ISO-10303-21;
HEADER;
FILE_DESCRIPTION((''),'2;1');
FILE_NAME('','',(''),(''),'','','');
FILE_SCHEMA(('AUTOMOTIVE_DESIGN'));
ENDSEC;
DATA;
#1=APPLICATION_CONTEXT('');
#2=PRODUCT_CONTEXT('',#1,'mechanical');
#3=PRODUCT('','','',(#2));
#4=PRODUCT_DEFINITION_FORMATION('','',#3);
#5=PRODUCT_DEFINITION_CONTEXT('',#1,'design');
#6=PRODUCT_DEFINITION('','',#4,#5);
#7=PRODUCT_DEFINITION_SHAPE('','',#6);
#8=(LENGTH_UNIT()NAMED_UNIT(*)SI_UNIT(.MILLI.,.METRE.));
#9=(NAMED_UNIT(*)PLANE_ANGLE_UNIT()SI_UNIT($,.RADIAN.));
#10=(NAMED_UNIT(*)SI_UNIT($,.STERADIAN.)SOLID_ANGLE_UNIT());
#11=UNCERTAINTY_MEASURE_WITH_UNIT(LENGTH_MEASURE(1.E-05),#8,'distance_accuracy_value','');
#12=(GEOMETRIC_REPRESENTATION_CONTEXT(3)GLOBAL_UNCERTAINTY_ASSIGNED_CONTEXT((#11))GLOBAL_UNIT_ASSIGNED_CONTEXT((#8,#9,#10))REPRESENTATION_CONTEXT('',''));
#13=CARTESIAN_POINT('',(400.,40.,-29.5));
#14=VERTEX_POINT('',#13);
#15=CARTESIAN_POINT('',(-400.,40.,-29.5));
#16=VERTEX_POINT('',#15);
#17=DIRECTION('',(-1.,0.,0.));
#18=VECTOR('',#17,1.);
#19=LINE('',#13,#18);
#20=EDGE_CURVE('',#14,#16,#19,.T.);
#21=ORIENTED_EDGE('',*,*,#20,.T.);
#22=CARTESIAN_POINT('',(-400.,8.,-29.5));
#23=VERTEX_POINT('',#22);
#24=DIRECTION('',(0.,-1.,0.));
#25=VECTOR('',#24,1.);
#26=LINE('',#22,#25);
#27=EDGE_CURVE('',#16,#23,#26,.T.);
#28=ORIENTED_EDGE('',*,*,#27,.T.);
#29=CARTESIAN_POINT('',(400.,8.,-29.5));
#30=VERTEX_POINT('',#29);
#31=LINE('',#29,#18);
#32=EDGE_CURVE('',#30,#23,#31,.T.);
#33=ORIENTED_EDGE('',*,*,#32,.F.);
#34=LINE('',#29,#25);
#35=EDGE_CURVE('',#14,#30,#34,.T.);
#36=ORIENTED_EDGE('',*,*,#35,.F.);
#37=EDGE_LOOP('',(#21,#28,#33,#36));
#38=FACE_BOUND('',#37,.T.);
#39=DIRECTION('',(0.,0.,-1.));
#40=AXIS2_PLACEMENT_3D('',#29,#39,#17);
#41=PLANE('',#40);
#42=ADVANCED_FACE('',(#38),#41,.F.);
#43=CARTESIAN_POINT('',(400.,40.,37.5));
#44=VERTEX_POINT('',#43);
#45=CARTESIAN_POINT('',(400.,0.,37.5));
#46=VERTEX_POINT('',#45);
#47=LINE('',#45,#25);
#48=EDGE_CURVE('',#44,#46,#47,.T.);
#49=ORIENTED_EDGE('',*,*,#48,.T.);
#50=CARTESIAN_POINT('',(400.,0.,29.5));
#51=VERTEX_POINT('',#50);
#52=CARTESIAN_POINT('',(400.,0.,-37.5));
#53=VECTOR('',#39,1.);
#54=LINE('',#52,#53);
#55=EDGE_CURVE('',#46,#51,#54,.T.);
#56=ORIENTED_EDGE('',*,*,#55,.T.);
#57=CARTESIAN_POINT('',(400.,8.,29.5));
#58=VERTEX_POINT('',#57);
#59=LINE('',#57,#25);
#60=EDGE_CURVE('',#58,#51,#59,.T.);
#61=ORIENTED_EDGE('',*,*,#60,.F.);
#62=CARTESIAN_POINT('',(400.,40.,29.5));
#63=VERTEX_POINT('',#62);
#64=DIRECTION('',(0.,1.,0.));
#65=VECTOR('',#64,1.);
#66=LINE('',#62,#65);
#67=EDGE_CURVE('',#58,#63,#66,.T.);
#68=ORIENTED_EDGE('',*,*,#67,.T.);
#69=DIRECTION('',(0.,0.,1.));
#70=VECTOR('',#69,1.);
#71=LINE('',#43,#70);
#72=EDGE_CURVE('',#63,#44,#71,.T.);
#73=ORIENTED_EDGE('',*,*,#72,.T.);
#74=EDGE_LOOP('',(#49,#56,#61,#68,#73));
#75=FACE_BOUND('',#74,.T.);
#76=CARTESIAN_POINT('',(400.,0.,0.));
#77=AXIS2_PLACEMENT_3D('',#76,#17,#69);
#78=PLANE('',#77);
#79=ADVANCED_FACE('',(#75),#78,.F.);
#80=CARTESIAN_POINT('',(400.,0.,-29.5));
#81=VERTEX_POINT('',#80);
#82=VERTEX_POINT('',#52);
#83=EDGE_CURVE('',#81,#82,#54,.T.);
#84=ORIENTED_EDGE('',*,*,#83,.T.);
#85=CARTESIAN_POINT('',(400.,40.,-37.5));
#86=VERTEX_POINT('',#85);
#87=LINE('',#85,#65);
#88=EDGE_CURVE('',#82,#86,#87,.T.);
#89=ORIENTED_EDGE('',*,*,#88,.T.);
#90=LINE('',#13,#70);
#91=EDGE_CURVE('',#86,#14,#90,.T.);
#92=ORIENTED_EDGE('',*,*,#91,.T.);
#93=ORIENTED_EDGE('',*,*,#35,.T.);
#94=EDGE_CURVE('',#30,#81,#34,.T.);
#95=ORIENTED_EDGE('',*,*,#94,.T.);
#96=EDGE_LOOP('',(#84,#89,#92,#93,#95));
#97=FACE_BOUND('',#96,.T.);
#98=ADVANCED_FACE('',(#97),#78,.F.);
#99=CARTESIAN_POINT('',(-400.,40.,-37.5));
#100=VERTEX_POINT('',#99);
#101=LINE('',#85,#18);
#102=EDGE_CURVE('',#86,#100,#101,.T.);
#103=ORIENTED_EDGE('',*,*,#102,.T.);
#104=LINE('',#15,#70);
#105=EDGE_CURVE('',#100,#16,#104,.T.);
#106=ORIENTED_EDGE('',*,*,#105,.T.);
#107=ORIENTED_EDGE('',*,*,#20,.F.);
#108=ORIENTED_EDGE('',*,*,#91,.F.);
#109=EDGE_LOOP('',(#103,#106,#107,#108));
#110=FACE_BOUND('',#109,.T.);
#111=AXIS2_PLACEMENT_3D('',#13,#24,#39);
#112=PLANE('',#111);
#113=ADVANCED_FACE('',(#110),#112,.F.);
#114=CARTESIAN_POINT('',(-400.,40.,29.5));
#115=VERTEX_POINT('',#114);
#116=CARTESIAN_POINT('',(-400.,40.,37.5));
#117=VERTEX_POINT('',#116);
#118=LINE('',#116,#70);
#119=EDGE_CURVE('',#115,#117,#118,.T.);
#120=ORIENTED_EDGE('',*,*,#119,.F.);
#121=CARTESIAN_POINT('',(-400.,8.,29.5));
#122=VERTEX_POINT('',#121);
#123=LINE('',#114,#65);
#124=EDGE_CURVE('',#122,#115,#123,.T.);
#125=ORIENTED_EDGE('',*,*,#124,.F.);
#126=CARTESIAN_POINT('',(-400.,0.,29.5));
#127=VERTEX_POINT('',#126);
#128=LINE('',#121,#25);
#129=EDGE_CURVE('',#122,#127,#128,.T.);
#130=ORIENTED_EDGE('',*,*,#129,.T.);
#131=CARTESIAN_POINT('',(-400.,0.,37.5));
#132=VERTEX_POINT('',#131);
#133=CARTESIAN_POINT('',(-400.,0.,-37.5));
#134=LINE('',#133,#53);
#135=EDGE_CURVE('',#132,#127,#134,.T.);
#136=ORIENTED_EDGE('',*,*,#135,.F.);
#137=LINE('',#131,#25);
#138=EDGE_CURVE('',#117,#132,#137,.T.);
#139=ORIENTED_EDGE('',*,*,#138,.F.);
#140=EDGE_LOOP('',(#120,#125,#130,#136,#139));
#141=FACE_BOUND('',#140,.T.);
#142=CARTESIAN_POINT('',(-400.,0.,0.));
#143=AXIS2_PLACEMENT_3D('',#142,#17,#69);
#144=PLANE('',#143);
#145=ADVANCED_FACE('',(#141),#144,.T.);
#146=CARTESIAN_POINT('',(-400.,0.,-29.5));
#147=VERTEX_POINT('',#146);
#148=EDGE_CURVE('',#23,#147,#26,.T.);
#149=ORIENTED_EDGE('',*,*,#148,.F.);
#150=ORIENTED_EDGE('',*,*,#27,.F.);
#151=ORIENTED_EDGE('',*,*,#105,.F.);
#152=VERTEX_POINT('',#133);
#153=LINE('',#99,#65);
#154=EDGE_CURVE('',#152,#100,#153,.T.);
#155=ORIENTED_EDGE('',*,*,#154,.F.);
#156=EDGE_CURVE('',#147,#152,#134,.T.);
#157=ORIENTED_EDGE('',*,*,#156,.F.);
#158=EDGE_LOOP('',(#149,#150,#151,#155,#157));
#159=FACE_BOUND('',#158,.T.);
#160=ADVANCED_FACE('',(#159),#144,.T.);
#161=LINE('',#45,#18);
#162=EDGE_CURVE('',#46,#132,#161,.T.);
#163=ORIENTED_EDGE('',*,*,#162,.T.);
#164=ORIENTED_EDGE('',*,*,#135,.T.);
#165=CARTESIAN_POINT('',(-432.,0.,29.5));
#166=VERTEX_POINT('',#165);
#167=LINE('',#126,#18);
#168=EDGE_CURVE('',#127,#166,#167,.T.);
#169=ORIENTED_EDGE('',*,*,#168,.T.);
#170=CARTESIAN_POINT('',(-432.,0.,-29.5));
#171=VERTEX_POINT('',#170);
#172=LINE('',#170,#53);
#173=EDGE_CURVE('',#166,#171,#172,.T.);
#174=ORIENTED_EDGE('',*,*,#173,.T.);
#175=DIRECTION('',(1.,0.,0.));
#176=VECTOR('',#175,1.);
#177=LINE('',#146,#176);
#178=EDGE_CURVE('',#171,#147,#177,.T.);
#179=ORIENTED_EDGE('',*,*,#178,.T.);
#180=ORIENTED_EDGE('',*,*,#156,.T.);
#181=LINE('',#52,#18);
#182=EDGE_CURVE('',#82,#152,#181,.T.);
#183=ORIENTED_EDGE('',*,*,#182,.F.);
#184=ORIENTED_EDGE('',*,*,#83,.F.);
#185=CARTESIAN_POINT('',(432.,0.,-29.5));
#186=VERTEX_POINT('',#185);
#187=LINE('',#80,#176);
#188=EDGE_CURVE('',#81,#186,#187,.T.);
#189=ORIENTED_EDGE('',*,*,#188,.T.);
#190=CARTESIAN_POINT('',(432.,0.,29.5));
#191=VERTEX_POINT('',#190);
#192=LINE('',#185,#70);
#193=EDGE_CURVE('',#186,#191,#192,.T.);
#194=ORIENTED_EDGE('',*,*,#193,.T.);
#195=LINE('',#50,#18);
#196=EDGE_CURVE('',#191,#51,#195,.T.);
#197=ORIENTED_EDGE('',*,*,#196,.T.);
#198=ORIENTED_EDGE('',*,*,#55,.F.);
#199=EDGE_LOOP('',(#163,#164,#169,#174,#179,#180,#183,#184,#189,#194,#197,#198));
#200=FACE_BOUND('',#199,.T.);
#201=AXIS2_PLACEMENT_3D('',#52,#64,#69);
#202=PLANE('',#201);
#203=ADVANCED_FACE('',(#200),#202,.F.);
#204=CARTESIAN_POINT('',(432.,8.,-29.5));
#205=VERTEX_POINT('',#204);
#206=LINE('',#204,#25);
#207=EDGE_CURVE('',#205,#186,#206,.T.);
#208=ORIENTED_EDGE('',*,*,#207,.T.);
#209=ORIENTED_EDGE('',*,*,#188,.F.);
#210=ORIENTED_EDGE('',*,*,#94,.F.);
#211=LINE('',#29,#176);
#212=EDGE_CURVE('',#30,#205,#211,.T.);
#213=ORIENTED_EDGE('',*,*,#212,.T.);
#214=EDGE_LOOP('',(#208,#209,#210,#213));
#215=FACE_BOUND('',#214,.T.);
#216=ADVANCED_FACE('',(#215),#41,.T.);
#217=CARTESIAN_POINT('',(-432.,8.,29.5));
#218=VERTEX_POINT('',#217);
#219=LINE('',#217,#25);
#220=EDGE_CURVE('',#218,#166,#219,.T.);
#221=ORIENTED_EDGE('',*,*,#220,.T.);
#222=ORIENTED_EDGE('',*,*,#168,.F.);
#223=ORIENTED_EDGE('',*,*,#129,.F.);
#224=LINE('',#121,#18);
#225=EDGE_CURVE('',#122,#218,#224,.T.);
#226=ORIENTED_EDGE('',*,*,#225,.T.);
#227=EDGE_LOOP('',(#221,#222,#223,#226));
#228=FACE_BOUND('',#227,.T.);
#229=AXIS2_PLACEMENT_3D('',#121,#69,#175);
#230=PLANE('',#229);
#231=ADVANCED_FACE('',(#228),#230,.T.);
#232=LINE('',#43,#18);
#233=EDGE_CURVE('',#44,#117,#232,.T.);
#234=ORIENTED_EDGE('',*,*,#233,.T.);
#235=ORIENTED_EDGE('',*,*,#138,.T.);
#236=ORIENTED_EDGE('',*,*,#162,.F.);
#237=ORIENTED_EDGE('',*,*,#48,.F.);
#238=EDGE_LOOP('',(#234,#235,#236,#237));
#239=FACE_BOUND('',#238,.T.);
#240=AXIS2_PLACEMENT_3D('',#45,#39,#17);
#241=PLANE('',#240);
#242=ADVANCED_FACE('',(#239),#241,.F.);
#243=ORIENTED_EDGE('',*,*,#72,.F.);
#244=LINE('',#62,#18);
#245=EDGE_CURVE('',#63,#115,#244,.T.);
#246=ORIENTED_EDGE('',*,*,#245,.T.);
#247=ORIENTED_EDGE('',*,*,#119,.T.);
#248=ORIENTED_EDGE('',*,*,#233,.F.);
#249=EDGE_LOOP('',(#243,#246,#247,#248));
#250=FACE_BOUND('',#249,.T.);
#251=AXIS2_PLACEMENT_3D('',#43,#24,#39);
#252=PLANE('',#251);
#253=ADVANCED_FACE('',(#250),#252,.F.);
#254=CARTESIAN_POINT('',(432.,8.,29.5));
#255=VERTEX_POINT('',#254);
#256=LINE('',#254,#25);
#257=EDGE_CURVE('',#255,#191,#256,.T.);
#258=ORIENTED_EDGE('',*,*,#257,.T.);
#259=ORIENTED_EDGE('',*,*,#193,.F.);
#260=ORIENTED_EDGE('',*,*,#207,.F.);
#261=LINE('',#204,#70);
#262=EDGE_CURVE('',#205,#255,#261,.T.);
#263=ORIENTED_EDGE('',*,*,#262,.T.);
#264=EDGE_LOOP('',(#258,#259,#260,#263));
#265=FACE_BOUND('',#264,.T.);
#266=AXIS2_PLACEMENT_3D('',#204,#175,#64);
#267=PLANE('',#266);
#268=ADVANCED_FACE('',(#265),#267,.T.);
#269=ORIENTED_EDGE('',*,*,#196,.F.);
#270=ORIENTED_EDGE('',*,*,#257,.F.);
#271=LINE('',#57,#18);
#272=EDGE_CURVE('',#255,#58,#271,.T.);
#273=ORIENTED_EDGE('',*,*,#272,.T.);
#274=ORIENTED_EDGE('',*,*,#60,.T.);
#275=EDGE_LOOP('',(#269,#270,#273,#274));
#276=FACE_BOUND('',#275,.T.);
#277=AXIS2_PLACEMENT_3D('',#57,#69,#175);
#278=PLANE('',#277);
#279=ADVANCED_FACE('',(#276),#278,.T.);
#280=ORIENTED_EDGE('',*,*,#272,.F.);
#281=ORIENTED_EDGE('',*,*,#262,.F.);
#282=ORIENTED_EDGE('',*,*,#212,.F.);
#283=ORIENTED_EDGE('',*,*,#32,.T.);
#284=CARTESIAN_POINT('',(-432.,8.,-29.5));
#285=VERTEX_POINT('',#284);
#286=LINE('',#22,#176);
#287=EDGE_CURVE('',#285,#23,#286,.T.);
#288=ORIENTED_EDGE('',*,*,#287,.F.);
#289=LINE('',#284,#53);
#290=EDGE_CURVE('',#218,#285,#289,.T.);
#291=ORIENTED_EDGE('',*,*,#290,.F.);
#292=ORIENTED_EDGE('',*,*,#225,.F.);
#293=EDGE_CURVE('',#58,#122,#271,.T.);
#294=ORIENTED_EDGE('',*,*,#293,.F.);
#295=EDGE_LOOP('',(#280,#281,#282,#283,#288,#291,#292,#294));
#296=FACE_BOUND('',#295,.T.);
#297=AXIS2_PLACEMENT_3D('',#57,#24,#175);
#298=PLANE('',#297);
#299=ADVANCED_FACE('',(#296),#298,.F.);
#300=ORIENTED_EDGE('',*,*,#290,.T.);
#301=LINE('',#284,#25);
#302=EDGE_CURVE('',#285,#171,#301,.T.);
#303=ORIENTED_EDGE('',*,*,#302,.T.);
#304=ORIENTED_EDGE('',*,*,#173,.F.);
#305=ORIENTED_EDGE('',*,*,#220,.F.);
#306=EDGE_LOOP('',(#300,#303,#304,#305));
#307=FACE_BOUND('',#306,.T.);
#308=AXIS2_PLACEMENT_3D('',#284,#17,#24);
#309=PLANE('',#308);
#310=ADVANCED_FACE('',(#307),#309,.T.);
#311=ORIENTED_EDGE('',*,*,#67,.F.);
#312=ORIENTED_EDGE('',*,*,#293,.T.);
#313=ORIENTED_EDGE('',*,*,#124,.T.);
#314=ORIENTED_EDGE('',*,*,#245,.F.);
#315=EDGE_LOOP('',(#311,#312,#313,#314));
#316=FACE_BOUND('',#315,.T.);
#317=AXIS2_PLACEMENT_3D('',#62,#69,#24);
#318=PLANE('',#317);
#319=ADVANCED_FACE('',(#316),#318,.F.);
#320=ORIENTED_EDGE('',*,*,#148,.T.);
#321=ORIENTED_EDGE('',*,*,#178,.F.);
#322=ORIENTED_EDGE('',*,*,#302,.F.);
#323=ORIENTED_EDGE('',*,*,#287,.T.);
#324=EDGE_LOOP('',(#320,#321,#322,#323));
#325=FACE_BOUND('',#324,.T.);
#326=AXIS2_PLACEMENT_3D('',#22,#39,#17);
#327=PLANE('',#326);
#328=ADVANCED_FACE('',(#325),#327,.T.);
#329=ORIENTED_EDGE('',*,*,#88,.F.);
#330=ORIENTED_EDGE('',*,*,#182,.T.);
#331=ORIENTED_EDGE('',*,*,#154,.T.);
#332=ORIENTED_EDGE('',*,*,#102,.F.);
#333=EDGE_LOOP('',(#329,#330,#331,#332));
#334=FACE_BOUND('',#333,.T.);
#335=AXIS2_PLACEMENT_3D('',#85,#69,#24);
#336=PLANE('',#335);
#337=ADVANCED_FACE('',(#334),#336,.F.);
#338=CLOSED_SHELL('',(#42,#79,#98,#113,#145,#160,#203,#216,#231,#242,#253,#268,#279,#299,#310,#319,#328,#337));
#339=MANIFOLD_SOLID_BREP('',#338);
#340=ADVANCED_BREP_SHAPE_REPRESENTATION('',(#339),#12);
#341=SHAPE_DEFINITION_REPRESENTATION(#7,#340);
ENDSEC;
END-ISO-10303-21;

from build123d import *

# Parameters (mm, degrees)
C_CHANNEL_80_X_8_1_DEPTH = 800
SKETCH12_W               = 32
SKETCH12_H               = 59
BOSS_EXTRUDE1_DEPTH      = 8


with BuildPart() as part:
    # Sketch11 → C channel 80 X 8(1) (new body)
    with BuildSketch(Plane.YZ.offset(-400)):
        Polygon((0, -37.5), (0, 37.5), (40, 37.5), (40, 29.5), (8, 29.5), (8, -29.5), (40, -29.5), (40, -37.5), align=None)
    extrude(amount=C_CHANNEL_80_X_8_1_DEPTH)

    # Sketch12 → Boss-Extrude1 (add)
    with BuildSketch(Plane.XZ):
        with Locations((-416, 0)):
            Rectangle(SKETCH12_W, SKETCH12_H)
        with Locations((416, 0)):
            Rectangle(SKETCH12_W, SKETCH12_H)
    extrude(amount=-BOSS_EXTRUDE1_DEPTH)


solid = part.part
